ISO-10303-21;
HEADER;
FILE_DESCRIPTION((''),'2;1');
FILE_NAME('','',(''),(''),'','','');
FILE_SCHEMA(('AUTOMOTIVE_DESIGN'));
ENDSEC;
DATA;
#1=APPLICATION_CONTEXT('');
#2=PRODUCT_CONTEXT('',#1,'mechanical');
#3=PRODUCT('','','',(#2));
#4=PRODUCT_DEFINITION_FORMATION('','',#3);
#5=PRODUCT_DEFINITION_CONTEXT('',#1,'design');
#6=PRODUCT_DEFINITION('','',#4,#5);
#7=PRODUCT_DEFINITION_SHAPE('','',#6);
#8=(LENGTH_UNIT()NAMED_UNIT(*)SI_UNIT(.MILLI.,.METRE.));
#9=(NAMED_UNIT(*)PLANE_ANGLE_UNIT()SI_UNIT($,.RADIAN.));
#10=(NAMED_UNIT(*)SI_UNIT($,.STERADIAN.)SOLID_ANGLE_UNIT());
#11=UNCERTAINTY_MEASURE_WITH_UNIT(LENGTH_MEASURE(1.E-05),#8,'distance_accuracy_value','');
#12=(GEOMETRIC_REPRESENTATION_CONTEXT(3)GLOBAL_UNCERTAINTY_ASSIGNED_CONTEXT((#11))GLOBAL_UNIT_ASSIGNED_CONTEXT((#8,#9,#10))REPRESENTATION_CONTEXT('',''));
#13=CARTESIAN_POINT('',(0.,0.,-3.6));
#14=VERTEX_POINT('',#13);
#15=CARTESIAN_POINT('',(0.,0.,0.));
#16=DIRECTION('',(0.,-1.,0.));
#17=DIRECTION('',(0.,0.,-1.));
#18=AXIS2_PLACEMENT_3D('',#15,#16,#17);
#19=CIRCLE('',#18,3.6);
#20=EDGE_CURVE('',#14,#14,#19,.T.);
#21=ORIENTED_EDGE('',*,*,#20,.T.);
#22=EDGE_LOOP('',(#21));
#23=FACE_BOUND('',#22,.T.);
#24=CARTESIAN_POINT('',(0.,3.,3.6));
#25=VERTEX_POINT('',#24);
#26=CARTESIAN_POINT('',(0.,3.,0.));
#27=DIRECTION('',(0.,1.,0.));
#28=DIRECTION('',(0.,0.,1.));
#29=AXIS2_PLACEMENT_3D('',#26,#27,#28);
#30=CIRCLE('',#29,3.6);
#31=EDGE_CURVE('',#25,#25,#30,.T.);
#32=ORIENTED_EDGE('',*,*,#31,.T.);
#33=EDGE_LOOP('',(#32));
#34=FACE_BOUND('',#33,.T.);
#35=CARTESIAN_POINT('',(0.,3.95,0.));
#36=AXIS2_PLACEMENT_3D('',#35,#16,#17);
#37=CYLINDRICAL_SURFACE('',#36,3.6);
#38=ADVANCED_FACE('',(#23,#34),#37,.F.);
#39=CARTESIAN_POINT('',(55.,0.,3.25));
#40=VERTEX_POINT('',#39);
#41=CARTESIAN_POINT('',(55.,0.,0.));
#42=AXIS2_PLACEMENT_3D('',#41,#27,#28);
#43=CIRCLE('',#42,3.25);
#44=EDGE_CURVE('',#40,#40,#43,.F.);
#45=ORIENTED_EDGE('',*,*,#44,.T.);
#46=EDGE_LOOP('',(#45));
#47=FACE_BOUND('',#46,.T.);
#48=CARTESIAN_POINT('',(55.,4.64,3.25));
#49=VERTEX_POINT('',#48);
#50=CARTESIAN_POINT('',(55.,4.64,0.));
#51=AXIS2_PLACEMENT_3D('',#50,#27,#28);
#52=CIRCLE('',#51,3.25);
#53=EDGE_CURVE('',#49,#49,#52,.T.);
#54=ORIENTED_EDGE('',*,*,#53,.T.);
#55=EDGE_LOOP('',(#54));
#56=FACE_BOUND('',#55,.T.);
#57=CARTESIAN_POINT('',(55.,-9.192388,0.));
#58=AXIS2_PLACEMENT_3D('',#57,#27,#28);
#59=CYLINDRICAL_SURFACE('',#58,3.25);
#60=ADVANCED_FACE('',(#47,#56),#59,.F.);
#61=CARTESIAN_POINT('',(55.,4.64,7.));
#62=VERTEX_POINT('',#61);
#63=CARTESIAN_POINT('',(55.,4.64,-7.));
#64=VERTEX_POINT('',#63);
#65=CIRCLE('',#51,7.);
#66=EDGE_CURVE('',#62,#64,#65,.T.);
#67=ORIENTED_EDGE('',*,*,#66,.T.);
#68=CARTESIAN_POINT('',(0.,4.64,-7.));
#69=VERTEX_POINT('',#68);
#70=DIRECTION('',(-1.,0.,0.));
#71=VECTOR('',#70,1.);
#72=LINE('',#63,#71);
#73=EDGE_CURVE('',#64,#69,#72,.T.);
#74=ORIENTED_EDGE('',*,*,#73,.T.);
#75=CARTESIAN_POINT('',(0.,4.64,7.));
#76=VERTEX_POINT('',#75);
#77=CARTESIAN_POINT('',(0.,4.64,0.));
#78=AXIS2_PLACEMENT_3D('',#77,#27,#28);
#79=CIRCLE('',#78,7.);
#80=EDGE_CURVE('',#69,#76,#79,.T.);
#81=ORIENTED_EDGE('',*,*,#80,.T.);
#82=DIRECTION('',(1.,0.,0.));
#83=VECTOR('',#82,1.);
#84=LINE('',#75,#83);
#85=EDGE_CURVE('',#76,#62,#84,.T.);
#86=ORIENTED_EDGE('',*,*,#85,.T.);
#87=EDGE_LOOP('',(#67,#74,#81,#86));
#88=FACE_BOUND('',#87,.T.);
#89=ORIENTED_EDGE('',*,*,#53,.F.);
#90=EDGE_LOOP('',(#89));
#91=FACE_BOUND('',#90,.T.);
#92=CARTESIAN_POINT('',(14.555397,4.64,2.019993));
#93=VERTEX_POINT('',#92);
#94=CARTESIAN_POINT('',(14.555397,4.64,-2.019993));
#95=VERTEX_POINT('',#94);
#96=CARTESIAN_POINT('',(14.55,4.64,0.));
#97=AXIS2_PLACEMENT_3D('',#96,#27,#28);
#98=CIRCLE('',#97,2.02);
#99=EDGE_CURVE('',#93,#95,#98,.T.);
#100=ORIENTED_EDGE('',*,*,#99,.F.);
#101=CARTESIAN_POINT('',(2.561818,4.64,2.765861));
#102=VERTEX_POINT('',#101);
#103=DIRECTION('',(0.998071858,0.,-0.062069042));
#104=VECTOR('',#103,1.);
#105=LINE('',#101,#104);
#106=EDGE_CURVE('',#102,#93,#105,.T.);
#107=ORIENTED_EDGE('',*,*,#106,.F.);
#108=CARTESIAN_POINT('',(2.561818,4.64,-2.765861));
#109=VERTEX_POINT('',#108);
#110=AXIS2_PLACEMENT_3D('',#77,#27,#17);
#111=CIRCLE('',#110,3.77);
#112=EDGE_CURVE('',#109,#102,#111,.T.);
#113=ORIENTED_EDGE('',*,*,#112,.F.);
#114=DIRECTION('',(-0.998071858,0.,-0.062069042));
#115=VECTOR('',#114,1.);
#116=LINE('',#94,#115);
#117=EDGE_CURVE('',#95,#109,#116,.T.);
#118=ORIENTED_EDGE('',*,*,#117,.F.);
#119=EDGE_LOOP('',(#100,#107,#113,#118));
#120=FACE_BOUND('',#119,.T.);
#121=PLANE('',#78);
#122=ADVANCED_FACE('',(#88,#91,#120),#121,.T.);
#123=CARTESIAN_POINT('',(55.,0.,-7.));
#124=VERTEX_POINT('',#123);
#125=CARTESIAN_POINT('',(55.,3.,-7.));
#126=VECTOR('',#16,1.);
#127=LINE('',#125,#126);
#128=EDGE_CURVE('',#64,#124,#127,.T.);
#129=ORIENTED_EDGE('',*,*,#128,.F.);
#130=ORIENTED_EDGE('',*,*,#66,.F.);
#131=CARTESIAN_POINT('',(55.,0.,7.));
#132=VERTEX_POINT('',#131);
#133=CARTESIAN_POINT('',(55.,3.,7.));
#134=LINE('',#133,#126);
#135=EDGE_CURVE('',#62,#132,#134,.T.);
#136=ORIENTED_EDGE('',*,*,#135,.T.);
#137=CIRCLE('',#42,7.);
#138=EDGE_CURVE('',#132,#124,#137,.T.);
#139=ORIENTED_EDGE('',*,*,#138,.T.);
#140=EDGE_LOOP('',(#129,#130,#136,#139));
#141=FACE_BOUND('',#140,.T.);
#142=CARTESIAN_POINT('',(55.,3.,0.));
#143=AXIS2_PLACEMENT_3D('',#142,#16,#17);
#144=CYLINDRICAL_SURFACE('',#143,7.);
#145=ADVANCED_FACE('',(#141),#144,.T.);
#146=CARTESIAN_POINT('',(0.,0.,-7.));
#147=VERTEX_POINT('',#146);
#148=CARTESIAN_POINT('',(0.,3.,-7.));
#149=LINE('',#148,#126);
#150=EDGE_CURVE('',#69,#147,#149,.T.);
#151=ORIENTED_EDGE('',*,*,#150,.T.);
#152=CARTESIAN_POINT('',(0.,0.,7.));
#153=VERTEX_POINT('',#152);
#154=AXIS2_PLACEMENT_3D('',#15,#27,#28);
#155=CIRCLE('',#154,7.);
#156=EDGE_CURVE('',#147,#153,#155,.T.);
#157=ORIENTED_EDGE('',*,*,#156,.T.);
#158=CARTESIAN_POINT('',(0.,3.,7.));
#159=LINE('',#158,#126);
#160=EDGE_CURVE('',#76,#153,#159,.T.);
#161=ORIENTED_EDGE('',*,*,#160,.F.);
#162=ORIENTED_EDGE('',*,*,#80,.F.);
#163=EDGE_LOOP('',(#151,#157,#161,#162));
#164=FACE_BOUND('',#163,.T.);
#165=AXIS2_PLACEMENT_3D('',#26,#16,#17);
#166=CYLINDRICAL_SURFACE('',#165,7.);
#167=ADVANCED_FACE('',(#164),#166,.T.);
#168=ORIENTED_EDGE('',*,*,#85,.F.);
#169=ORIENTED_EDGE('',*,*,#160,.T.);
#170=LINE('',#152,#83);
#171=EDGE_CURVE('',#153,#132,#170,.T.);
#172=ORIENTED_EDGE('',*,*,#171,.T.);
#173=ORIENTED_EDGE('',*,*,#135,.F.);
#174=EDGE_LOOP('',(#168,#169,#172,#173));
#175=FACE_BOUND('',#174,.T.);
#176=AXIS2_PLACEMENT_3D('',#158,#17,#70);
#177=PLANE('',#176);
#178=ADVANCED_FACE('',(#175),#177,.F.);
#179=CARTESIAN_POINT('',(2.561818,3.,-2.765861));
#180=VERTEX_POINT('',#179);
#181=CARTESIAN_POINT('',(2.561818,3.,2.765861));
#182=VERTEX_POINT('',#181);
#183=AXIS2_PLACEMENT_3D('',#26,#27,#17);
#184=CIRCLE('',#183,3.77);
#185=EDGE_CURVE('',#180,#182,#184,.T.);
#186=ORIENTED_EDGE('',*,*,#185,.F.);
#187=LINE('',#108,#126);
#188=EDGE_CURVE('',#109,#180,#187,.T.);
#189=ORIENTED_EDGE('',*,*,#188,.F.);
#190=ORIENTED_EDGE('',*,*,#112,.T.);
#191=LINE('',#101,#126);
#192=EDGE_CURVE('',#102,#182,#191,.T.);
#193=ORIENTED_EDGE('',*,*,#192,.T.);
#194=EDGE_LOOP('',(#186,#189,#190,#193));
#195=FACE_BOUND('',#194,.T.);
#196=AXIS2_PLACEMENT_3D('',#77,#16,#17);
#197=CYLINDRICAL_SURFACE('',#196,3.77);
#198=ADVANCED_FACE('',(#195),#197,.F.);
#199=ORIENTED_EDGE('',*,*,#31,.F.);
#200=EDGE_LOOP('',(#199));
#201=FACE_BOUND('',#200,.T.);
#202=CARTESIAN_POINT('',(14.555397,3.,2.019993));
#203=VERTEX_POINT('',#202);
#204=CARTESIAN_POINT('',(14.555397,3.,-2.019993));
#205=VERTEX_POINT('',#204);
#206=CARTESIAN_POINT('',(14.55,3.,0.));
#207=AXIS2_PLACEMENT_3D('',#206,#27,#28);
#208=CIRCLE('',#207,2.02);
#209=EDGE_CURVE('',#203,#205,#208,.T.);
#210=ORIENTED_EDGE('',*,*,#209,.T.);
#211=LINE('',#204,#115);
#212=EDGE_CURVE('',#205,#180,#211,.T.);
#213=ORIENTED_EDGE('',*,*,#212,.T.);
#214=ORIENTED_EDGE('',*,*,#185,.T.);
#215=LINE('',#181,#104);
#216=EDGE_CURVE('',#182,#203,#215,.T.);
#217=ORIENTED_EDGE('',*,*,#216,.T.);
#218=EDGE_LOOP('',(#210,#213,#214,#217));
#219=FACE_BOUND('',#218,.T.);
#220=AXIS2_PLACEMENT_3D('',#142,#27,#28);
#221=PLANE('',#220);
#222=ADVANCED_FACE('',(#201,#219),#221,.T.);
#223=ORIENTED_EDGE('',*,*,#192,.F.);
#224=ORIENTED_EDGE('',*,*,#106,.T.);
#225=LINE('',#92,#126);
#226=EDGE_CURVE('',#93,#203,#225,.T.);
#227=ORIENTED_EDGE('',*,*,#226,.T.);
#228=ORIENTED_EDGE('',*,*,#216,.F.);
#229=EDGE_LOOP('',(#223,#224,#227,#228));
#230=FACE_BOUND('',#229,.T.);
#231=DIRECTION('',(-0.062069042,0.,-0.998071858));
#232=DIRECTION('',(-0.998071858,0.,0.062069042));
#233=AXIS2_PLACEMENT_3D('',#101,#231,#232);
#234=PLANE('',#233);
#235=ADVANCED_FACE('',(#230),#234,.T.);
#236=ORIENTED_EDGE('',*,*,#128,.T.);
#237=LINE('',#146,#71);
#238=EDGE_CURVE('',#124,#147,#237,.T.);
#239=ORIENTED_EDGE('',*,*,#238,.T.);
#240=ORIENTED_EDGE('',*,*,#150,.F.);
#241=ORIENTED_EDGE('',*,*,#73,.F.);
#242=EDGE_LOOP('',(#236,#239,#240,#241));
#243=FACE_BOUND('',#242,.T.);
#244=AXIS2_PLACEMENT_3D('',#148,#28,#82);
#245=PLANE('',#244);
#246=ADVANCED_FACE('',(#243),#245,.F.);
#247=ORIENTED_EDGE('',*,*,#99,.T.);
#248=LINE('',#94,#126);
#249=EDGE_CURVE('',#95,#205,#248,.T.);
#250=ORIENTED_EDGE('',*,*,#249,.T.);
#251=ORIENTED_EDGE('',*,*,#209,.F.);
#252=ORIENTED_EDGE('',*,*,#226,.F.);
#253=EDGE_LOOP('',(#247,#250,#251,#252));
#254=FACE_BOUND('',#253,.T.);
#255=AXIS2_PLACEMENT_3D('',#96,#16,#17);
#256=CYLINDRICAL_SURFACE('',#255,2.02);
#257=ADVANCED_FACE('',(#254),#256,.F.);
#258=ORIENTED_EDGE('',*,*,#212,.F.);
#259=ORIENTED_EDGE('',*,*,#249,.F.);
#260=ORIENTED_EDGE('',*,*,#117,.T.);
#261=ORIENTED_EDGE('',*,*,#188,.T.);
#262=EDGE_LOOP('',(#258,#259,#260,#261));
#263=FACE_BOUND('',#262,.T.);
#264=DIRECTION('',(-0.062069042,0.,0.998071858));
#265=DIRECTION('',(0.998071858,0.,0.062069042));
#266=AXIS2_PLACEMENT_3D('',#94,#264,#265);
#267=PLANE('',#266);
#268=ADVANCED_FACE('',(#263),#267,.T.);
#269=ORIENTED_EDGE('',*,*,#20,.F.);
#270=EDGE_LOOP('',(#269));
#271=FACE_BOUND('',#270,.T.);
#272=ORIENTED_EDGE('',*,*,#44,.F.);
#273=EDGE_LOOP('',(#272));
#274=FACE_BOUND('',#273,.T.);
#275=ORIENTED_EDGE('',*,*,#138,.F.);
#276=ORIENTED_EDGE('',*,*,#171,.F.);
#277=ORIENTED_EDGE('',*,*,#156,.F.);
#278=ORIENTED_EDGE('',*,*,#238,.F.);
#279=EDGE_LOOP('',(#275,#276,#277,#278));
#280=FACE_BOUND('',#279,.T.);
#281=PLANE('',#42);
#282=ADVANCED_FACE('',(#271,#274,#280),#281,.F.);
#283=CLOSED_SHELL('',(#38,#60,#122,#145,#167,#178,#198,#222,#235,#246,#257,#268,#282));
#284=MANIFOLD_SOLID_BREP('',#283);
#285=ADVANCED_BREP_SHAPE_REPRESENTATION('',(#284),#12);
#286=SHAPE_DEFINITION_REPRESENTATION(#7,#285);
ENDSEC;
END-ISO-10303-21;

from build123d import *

# Parameters (mm, degrees)
BOSS_EXTRUDE1_DEPTH = 3
SKETCH2_R           = 3.6
CUT_EXTRUDE1_DEPTH  = 3.95
BOSS_EXTRUDE2_DEPTH = 1.64
SKETCH4_R           = 3.25
CUT_EXTRUDE2_DEPTH  = 4.64


with BuildPart() as part:
    # Sketch1 → Boss-Extrude1 (new body)
    with BuildSketch(Plane(origin=(0, 0, 0), x_dir=(1, 0, 0), z_dir=(0, 1, 0))):
        with BuildLine():
            Line((0, 7), (55, 7))
            ThreePointArc((55, 7), (62, 0), (55, -7))
            Line((55, -7), (0, -7))
            ThreePointArc((0, -7), (-7, 0), (0, 7))
        make_face()
    extrude(amount=BOSS_EXTRUDE1_DEPTH)

    # Sketch2 → Cut-Extrude1 (cut)
    with BuildSketch(Plane.XZ):
        with Locations(Location((0, 0, 0), (0, 0, 270))):
            Circle(SKETCH2_R)
    extrude(amount=-CUT_EXTRUDE1_DEPTH, mode=Mode.SUBTRACT)

    # Sketch3 → Boss-Extrude2 (add)
    with BuildSketch(Plane(origin=(0, 3, 0), x_dir=(1, 0, 0), z_dir=(0, 1, 0))):
        with BuildLine():
            Line((0, -7), (55, -7))
            ThreePointArc((55, -7), (62, 0), (55, 7))
            Line((55, 7), (0, 7))
            ThreePointArc((0, 7), (-7, 0), (0, -7))
        make_face()
        with BuildLine():
            Line((14.555396889, 2.01999279), (2.561818442, 2.765860855))
            ThreePointArc((2.561818442, 2.765860855), (-3.77, 0), (2.561818442, -2.765860855))
            Line((2.561818442, -2.765860855), (14.555396889, -2.01999279))
            ThreePointArc((14.555396889, -2.01999279), (16.57, 0), (14.555396889, 2.01999279))
        make_face(mode=Mode.SUBTRACT)
    extrude(amount=BOSS_EXTRUDE2_DEPTH)

    # Sketch4 → Cut-Extrude2 (cut)
    with BuildSketch(Plane(origin=(0, 4.64, 0), x_dir=(1, 0, 0), z_dir=(0, 1, 0))):
        with Locations(Location((55, 0, 0), (0, 0, 270))):
            Circle(SKETCH4_R)
    extrude(amount=-CUT_EXTRUDE2_DEPTH, mode=Mode.SUBTRACT)


solid = part.part
